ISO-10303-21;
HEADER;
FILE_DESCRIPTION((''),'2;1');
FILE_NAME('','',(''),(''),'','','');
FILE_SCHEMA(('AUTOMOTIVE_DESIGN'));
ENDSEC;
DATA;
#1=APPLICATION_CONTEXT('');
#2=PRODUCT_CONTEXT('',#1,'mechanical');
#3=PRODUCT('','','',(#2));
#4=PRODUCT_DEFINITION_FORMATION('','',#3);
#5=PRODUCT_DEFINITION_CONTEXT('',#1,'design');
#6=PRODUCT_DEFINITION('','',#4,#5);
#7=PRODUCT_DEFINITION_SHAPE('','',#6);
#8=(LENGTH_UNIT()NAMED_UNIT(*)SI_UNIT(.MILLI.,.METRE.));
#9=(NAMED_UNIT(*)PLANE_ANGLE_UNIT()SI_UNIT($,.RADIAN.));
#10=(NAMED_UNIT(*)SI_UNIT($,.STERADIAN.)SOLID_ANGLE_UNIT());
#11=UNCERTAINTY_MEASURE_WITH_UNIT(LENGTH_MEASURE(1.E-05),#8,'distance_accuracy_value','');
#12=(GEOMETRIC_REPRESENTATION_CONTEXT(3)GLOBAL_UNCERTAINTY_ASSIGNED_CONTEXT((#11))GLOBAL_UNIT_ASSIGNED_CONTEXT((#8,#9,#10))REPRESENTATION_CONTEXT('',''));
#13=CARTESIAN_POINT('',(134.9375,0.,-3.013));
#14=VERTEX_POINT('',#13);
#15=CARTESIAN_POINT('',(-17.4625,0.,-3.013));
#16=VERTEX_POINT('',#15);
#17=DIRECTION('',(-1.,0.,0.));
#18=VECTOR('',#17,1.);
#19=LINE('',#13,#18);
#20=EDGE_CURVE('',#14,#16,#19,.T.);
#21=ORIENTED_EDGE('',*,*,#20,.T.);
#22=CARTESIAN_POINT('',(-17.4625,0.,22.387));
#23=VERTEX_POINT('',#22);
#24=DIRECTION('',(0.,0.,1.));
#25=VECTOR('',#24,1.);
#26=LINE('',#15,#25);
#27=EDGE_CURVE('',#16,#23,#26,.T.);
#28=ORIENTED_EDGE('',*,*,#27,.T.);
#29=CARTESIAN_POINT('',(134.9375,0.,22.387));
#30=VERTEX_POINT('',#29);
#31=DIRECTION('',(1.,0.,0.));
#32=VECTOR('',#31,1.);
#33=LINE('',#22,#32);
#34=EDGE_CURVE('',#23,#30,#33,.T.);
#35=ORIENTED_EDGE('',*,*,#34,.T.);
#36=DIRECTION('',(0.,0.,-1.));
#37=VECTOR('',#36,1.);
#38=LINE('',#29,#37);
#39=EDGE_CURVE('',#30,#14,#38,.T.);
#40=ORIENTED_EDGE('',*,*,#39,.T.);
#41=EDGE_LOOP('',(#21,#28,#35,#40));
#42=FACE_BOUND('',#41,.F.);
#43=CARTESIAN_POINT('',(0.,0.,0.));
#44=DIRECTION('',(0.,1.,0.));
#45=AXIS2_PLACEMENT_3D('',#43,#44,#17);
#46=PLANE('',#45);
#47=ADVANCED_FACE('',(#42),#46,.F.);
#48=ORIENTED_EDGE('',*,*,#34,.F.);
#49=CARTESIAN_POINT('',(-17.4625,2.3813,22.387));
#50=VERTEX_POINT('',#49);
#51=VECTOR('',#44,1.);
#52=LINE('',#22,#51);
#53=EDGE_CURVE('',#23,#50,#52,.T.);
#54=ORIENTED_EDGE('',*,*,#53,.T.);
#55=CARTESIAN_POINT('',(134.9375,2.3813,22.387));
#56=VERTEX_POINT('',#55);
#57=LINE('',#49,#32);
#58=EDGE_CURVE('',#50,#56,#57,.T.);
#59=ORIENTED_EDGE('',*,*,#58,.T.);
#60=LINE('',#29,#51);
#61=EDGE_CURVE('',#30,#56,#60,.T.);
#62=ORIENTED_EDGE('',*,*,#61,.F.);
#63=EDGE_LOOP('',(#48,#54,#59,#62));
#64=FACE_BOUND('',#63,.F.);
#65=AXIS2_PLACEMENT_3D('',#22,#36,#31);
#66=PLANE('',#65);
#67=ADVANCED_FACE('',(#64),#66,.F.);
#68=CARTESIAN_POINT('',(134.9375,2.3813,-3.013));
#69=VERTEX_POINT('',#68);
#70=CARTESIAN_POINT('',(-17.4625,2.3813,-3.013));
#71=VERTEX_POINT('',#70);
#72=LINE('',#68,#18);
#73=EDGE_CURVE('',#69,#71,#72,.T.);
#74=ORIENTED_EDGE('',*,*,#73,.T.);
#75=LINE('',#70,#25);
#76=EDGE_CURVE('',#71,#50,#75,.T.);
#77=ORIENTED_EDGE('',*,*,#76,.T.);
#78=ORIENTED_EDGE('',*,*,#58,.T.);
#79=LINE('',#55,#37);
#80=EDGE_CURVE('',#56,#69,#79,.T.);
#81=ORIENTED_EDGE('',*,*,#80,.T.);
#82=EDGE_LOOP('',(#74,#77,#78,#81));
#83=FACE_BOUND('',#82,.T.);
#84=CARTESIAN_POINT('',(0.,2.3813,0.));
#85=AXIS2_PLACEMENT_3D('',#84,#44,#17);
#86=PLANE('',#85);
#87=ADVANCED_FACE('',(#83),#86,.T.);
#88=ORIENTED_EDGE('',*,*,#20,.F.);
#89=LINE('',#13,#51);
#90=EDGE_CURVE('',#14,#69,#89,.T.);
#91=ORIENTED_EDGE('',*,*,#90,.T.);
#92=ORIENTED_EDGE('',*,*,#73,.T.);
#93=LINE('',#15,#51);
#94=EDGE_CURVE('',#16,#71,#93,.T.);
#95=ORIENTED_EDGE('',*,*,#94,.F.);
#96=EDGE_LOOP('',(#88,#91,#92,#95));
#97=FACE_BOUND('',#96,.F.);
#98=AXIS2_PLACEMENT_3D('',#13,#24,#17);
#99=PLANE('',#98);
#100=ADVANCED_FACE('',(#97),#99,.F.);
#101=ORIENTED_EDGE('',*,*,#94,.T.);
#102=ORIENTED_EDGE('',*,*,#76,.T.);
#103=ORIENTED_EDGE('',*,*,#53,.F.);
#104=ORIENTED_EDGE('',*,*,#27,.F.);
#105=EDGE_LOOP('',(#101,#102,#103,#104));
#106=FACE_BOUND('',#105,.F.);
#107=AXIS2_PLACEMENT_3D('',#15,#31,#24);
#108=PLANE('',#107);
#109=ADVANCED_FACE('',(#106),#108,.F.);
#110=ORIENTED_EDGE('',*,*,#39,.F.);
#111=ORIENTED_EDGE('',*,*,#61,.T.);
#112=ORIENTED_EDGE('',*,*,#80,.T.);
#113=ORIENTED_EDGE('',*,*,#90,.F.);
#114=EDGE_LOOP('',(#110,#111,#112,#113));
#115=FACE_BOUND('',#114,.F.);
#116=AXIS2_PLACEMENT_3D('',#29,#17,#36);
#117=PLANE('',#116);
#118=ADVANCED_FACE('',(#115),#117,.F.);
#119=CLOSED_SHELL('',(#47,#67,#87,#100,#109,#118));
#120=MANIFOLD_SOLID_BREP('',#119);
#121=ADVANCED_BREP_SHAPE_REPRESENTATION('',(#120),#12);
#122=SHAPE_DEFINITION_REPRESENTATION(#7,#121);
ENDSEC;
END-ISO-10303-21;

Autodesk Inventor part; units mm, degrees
ref_plane "YZ Plane" through (0, 0, 0) normal (1, 0, 0) x (0, 1, 0)
ref_plane "XZ Plane" through (0, 0, 0) normal (0, 1, 0) x (-1, 0, 0)
ref_plane "XY Plane" through (0, 0, 0) normal (0, 0, 1) x (1, 0, 0)
sketch "Sketch1" plane through (0, 0, 0) normal (0, 1, 0) x (-1, 0, 0)
  line L0 (17.4625, 22.387) -> (-134.9375, 22.387)
  line L1 (-134.9375, 22.387) -> (-134.9375, -3.013)
  line L2 (-134.9375, -3.013) -> (17.4625, -3.013)
  line L3 (17.4625, -3.013) -> (17.4625, 22.387)
  point P0 (0, 0)
  dimension "d0" = 25.4
  dimension "d1" = 152.4
extrude "Extrusion1" add sketch "Sketch1" along normal blind 2.3813
properties part number "Shim3-32"
